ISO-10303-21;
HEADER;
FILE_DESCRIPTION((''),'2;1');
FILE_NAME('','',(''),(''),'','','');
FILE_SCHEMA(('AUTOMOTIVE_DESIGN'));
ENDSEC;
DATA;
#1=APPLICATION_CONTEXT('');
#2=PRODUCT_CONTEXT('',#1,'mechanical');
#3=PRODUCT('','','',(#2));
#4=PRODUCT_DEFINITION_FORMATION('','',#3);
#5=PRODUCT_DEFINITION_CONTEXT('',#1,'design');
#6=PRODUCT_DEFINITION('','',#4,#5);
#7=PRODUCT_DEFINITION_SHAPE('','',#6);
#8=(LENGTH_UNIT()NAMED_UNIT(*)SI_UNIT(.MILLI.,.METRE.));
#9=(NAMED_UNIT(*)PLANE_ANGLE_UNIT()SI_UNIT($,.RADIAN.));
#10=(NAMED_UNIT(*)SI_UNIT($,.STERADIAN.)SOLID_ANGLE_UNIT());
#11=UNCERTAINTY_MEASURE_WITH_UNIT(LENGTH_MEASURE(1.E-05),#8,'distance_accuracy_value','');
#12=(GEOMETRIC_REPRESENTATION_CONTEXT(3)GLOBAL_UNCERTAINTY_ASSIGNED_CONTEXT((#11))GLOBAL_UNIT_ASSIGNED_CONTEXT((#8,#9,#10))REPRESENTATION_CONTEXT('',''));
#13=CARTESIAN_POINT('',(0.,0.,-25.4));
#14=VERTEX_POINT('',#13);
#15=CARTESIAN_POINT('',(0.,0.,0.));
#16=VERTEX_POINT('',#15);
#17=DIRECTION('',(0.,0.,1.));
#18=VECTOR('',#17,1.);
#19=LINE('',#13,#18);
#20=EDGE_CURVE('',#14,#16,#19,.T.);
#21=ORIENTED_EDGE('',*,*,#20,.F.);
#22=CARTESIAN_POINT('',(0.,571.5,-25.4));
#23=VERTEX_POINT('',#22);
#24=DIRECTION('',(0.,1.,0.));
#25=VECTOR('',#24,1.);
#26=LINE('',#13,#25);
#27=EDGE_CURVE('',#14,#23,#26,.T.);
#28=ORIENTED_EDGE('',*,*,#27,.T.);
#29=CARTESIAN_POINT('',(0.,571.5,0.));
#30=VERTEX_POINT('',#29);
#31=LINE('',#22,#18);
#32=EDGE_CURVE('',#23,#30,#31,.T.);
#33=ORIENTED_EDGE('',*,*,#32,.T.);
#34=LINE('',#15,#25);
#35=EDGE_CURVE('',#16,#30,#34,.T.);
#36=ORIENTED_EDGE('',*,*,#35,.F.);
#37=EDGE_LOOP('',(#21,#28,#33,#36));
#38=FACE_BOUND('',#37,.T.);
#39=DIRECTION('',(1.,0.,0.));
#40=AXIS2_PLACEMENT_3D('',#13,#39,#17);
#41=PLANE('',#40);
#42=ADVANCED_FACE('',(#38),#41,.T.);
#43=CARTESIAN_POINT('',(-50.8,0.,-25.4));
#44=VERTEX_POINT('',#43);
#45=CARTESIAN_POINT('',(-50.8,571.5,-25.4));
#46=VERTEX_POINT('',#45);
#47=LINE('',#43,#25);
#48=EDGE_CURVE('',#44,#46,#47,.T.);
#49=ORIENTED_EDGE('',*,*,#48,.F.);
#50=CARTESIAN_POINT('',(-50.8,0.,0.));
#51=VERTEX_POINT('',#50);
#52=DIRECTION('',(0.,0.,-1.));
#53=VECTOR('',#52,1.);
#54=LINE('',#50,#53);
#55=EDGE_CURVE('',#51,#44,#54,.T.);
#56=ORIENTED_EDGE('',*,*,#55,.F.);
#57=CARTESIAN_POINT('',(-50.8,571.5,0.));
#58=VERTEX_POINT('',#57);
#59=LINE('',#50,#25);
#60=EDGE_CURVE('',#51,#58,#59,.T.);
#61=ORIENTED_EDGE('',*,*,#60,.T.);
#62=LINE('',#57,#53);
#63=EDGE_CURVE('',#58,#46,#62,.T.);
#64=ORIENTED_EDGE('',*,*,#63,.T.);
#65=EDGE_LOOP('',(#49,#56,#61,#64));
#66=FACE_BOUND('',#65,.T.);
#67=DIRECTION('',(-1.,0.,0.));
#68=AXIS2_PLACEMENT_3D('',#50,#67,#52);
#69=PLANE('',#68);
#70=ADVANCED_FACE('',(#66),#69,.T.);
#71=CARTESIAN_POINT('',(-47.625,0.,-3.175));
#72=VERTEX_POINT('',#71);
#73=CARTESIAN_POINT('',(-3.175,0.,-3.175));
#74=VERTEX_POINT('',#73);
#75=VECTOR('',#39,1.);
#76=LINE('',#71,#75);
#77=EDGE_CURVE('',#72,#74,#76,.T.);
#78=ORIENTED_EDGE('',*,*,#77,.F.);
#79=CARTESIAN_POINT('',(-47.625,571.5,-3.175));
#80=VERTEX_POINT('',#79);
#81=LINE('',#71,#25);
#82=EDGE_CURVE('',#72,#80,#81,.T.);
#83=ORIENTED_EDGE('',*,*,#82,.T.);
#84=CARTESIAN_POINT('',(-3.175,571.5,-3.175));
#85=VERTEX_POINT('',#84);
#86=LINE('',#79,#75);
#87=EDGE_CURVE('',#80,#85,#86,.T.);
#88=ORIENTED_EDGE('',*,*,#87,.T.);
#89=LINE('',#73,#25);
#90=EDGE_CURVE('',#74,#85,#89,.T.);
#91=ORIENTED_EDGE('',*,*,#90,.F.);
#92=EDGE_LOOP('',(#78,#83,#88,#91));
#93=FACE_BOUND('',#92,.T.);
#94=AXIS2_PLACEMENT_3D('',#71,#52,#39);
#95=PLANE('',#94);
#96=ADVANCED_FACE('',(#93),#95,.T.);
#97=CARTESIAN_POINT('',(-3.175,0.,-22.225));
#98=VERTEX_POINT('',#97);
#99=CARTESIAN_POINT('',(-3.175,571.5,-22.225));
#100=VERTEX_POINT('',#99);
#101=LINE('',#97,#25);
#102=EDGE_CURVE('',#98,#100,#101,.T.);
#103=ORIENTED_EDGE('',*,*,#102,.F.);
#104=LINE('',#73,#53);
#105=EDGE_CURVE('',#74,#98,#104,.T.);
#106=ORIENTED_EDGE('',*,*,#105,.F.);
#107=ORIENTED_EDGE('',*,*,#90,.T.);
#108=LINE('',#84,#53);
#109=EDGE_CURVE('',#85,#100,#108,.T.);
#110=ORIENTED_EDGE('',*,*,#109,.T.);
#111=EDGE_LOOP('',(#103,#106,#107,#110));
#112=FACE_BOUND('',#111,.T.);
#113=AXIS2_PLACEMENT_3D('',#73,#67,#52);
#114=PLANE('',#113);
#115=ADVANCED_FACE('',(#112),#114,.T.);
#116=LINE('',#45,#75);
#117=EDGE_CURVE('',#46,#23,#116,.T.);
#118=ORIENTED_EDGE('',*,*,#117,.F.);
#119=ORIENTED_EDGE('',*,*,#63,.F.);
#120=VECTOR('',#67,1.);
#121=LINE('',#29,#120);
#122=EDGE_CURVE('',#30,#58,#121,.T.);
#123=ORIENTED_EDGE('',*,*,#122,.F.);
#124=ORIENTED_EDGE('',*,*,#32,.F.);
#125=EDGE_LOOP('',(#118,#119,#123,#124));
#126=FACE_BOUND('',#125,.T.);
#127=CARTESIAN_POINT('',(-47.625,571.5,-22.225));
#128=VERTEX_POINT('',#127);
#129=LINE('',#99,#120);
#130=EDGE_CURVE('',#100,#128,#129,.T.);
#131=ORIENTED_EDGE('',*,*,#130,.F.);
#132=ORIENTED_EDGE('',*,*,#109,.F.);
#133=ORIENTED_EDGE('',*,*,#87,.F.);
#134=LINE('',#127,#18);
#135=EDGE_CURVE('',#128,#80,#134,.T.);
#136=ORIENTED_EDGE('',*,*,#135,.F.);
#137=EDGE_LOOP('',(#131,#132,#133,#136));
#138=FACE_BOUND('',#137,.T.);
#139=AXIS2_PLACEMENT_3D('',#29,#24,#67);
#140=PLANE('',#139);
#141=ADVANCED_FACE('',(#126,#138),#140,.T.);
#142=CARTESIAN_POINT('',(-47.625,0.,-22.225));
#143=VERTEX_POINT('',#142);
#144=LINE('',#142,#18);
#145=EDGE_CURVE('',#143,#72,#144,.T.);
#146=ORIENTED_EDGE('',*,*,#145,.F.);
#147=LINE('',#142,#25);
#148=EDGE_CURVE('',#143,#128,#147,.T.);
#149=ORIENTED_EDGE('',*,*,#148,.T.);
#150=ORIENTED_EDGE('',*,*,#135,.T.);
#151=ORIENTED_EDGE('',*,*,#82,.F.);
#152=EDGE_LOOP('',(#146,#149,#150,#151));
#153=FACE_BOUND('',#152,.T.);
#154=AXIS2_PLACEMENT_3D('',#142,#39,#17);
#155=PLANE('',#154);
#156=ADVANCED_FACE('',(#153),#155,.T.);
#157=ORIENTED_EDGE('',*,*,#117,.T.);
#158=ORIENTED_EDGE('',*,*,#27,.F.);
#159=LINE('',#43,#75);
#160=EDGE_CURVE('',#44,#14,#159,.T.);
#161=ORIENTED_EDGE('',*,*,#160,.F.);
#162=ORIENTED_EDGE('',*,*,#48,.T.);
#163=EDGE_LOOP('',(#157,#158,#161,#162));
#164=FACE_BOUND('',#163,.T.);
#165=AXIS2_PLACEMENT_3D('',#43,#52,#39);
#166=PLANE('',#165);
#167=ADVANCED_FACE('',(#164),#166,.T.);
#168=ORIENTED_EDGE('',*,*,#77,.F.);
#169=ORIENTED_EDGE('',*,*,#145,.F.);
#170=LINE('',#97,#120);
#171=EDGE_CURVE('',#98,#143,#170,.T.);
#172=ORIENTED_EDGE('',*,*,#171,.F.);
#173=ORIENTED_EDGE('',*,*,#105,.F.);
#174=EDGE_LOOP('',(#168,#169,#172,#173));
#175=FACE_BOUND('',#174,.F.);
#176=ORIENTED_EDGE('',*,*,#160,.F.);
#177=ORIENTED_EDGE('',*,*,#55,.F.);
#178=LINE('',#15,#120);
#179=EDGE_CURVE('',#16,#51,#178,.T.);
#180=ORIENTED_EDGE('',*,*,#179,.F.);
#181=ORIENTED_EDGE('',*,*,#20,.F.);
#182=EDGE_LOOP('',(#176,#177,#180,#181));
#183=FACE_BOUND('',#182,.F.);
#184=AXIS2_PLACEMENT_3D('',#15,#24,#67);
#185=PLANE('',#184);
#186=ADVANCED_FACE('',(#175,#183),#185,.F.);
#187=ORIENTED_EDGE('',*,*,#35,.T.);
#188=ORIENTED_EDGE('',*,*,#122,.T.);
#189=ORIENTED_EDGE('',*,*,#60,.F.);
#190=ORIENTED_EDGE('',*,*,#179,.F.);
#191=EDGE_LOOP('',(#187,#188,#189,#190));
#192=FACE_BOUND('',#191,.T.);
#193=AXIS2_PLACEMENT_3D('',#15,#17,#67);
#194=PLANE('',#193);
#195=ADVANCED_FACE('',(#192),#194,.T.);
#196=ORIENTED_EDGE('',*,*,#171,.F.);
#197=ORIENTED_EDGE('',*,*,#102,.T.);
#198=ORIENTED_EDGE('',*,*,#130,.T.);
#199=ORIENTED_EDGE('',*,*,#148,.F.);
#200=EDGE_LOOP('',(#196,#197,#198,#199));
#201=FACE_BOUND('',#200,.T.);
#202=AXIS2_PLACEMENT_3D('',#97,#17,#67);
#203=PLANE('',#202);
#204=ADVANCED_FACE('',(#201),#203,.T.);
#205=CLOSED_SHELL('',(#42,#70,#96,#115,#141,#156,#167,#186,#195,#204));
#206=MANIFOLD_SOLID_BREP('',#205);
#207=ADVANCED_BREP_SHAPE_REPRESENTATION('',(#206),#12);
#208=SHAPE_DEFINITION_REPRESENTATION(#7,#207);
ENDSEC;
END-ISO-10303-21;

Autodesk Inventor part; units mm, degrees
ref_plane "YZ Plane" through (0, 0, 0) normal (1, 0, 0) x (0, 1, 0)
ref_plane "XZ Plane" through (0, 0, 0) normal (0, 1, 0) x (-1, 0, 0)
ref_plane "XY Plane" through (0, 0, 0) normal (0, 0, 1) x (1, 0, 0)
sketch "Sketch1" plane through (0, 0, 0) normal (0, 1, 0) x (-1, 0, 0)
  line L0 (0, 0) -> (50.8, 0)
  line L1 (50.8, 0) -> (50.8, -25.4)
  line L2 (50.8, -25.4) -> (0, -25.4)
  line L3 (0, -25.4) -> (0, 0)
  line L4 (47.625, -22.225) -> (47.625, -3.175)
  line L5 (47.625, -3.175) -> (3.175, -3.175)
  line L6 (3.175, -3.175) -> (3.175, -22.225)
  line L7 (3.175, -22.225) -> (47.625, -22.225)
  dimension "d0" = 25.4
  dimension "d1" = 50.8
  dimension "d2" = 3.175
extrude "Extrusion1" add sketch "Sketch1" along normal blind 571.5
sketch "Sketch2" plane through (-50.8, 0, 0) normal (0, 0, 1) x (1, 0, 0)
  line L0 (0, 0) -> (0, 571.5) projected
  line L1 (50.8, 0) -> (0, 0) projected
  line L2 (0, 571.5) -> (50.8, 571.5) projected
  point P0 (25.4, 25.4)
  point P1 (25.4, 546.1)
  dimension "d5" = 25.4
  dimension "d6" = 25.4
  dimension "d7" = 25.4
  dimension "d8" = 25.4
properties part number "AluminumLiftBase-1111-2020"
